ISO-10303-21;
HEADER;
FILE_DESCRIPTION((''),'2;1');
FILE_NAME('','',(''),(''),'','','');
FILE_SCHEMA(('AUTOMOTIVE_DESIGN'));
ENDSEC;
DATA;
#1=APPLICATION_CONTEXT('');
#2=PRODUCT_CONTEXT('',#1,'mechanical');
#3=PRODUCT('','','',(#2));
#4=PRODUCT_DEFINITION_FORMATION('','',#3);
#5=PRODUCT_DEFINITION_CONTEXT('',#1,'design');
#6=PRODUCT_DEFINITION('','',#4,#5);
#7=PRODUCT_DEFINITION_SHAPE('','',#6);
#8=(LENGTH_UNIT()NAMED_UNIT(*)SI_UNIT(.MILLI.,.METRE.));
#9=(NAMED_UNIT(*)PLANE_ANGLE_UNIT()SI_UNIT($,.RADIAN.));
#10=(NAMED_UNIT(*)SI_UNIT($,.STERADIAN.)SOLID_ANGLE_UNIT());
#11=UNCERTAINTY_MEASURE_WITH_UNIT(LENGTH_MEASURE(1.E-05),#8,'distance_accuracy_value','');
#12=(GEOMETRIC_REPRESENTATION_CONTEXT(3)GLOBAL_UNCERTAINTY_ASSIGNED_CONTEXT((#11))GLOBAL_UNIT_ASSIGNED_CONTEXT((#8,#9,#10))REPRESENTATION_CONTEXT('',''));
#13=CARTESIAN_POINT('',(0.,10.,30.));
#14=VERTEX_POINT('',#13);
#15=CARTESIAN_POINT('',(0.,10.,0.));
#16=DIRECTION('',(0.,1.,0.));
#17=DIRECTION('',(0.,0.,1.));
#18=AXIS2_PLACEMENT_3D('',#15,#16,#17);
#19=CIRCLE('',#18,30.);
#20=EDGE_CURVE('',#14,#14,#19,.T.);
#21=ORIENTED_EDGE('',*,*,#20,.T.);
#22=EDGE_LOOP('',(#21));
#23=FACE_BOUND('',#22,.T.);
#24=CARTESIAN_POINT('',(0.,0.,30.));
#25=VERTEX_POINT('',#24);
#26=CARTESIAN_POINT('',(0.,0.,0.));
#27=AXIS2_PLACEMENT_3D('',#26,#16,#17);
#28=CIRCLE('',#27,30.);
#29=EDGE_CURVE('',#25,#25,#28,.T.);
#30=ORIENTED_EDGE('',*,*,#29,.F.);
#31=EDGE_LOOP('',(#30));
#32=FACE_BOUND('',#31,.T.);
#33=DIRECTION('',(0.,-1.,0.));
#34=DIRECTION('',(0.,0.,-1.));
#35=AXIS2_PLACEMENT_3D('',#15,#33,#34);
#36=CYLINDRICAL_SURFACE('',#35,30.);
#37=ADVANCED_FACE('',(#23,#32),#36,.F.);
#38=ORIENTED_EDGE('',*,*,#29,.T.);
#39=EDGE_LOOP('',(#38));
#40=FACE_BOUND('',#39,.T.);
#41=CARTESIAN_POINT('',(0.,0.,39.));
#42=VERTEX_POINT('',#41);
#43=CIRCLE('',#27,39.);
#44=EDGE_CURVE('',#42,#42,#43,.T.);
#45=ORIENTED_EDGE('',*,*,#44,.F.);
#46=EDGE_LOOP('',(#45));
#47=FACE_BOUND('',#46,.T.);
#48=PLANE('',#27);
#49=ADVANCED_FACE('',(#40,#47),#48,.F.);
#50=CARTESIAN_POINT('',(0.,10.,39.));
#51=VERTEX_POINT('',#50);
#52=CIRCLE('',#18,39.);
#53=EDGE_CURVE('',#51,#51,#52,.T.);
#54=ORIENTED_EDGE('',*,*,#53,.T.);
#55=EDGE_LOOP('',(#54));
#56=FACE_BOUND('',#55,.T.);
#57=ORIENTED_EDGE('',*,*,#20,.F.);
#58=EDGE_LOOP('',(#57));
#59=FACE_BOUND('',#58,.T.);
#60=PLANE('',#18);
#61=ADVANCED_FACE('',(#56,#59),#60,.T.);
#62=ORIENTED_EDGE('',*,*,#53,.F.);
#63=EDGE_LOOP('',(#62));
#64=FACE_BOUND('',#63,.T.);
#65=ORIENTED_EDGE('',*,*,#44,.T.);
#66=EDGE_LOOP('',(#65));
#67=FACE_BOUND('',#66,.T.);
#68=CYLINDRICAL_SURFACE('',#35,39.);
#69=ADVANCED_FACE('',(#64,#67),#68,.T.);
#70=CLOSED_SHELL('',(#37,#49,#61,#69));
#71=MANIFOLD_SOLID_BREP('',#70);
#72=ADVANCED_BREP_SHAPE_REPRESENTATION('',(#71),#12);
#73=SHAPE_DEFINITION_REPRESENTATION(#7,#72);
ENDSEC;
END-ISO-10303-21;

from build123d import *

# Parameters (mm, degrees)
SKETCH1_R           = 39
SKETCH1_R_2         = 30
BOSS_EXTRUDE1_DEPTH = 10


with BuildPart() as part:
    # Sketch1 → Boss-Extrude1 (new body)
    with BuildSketch(Plane(origin=(0, 0, 0), x_dir=(1, 0, 0), z_dir=(0, 1, 0))):
        Circle(SKETCH1_R)
        Circle(SKETCH1_R_2, mode=Mode.SUBTRACT)
    extrude(amount=BOSS_EXTRUDE1_DEPTH)


solid = part.part
